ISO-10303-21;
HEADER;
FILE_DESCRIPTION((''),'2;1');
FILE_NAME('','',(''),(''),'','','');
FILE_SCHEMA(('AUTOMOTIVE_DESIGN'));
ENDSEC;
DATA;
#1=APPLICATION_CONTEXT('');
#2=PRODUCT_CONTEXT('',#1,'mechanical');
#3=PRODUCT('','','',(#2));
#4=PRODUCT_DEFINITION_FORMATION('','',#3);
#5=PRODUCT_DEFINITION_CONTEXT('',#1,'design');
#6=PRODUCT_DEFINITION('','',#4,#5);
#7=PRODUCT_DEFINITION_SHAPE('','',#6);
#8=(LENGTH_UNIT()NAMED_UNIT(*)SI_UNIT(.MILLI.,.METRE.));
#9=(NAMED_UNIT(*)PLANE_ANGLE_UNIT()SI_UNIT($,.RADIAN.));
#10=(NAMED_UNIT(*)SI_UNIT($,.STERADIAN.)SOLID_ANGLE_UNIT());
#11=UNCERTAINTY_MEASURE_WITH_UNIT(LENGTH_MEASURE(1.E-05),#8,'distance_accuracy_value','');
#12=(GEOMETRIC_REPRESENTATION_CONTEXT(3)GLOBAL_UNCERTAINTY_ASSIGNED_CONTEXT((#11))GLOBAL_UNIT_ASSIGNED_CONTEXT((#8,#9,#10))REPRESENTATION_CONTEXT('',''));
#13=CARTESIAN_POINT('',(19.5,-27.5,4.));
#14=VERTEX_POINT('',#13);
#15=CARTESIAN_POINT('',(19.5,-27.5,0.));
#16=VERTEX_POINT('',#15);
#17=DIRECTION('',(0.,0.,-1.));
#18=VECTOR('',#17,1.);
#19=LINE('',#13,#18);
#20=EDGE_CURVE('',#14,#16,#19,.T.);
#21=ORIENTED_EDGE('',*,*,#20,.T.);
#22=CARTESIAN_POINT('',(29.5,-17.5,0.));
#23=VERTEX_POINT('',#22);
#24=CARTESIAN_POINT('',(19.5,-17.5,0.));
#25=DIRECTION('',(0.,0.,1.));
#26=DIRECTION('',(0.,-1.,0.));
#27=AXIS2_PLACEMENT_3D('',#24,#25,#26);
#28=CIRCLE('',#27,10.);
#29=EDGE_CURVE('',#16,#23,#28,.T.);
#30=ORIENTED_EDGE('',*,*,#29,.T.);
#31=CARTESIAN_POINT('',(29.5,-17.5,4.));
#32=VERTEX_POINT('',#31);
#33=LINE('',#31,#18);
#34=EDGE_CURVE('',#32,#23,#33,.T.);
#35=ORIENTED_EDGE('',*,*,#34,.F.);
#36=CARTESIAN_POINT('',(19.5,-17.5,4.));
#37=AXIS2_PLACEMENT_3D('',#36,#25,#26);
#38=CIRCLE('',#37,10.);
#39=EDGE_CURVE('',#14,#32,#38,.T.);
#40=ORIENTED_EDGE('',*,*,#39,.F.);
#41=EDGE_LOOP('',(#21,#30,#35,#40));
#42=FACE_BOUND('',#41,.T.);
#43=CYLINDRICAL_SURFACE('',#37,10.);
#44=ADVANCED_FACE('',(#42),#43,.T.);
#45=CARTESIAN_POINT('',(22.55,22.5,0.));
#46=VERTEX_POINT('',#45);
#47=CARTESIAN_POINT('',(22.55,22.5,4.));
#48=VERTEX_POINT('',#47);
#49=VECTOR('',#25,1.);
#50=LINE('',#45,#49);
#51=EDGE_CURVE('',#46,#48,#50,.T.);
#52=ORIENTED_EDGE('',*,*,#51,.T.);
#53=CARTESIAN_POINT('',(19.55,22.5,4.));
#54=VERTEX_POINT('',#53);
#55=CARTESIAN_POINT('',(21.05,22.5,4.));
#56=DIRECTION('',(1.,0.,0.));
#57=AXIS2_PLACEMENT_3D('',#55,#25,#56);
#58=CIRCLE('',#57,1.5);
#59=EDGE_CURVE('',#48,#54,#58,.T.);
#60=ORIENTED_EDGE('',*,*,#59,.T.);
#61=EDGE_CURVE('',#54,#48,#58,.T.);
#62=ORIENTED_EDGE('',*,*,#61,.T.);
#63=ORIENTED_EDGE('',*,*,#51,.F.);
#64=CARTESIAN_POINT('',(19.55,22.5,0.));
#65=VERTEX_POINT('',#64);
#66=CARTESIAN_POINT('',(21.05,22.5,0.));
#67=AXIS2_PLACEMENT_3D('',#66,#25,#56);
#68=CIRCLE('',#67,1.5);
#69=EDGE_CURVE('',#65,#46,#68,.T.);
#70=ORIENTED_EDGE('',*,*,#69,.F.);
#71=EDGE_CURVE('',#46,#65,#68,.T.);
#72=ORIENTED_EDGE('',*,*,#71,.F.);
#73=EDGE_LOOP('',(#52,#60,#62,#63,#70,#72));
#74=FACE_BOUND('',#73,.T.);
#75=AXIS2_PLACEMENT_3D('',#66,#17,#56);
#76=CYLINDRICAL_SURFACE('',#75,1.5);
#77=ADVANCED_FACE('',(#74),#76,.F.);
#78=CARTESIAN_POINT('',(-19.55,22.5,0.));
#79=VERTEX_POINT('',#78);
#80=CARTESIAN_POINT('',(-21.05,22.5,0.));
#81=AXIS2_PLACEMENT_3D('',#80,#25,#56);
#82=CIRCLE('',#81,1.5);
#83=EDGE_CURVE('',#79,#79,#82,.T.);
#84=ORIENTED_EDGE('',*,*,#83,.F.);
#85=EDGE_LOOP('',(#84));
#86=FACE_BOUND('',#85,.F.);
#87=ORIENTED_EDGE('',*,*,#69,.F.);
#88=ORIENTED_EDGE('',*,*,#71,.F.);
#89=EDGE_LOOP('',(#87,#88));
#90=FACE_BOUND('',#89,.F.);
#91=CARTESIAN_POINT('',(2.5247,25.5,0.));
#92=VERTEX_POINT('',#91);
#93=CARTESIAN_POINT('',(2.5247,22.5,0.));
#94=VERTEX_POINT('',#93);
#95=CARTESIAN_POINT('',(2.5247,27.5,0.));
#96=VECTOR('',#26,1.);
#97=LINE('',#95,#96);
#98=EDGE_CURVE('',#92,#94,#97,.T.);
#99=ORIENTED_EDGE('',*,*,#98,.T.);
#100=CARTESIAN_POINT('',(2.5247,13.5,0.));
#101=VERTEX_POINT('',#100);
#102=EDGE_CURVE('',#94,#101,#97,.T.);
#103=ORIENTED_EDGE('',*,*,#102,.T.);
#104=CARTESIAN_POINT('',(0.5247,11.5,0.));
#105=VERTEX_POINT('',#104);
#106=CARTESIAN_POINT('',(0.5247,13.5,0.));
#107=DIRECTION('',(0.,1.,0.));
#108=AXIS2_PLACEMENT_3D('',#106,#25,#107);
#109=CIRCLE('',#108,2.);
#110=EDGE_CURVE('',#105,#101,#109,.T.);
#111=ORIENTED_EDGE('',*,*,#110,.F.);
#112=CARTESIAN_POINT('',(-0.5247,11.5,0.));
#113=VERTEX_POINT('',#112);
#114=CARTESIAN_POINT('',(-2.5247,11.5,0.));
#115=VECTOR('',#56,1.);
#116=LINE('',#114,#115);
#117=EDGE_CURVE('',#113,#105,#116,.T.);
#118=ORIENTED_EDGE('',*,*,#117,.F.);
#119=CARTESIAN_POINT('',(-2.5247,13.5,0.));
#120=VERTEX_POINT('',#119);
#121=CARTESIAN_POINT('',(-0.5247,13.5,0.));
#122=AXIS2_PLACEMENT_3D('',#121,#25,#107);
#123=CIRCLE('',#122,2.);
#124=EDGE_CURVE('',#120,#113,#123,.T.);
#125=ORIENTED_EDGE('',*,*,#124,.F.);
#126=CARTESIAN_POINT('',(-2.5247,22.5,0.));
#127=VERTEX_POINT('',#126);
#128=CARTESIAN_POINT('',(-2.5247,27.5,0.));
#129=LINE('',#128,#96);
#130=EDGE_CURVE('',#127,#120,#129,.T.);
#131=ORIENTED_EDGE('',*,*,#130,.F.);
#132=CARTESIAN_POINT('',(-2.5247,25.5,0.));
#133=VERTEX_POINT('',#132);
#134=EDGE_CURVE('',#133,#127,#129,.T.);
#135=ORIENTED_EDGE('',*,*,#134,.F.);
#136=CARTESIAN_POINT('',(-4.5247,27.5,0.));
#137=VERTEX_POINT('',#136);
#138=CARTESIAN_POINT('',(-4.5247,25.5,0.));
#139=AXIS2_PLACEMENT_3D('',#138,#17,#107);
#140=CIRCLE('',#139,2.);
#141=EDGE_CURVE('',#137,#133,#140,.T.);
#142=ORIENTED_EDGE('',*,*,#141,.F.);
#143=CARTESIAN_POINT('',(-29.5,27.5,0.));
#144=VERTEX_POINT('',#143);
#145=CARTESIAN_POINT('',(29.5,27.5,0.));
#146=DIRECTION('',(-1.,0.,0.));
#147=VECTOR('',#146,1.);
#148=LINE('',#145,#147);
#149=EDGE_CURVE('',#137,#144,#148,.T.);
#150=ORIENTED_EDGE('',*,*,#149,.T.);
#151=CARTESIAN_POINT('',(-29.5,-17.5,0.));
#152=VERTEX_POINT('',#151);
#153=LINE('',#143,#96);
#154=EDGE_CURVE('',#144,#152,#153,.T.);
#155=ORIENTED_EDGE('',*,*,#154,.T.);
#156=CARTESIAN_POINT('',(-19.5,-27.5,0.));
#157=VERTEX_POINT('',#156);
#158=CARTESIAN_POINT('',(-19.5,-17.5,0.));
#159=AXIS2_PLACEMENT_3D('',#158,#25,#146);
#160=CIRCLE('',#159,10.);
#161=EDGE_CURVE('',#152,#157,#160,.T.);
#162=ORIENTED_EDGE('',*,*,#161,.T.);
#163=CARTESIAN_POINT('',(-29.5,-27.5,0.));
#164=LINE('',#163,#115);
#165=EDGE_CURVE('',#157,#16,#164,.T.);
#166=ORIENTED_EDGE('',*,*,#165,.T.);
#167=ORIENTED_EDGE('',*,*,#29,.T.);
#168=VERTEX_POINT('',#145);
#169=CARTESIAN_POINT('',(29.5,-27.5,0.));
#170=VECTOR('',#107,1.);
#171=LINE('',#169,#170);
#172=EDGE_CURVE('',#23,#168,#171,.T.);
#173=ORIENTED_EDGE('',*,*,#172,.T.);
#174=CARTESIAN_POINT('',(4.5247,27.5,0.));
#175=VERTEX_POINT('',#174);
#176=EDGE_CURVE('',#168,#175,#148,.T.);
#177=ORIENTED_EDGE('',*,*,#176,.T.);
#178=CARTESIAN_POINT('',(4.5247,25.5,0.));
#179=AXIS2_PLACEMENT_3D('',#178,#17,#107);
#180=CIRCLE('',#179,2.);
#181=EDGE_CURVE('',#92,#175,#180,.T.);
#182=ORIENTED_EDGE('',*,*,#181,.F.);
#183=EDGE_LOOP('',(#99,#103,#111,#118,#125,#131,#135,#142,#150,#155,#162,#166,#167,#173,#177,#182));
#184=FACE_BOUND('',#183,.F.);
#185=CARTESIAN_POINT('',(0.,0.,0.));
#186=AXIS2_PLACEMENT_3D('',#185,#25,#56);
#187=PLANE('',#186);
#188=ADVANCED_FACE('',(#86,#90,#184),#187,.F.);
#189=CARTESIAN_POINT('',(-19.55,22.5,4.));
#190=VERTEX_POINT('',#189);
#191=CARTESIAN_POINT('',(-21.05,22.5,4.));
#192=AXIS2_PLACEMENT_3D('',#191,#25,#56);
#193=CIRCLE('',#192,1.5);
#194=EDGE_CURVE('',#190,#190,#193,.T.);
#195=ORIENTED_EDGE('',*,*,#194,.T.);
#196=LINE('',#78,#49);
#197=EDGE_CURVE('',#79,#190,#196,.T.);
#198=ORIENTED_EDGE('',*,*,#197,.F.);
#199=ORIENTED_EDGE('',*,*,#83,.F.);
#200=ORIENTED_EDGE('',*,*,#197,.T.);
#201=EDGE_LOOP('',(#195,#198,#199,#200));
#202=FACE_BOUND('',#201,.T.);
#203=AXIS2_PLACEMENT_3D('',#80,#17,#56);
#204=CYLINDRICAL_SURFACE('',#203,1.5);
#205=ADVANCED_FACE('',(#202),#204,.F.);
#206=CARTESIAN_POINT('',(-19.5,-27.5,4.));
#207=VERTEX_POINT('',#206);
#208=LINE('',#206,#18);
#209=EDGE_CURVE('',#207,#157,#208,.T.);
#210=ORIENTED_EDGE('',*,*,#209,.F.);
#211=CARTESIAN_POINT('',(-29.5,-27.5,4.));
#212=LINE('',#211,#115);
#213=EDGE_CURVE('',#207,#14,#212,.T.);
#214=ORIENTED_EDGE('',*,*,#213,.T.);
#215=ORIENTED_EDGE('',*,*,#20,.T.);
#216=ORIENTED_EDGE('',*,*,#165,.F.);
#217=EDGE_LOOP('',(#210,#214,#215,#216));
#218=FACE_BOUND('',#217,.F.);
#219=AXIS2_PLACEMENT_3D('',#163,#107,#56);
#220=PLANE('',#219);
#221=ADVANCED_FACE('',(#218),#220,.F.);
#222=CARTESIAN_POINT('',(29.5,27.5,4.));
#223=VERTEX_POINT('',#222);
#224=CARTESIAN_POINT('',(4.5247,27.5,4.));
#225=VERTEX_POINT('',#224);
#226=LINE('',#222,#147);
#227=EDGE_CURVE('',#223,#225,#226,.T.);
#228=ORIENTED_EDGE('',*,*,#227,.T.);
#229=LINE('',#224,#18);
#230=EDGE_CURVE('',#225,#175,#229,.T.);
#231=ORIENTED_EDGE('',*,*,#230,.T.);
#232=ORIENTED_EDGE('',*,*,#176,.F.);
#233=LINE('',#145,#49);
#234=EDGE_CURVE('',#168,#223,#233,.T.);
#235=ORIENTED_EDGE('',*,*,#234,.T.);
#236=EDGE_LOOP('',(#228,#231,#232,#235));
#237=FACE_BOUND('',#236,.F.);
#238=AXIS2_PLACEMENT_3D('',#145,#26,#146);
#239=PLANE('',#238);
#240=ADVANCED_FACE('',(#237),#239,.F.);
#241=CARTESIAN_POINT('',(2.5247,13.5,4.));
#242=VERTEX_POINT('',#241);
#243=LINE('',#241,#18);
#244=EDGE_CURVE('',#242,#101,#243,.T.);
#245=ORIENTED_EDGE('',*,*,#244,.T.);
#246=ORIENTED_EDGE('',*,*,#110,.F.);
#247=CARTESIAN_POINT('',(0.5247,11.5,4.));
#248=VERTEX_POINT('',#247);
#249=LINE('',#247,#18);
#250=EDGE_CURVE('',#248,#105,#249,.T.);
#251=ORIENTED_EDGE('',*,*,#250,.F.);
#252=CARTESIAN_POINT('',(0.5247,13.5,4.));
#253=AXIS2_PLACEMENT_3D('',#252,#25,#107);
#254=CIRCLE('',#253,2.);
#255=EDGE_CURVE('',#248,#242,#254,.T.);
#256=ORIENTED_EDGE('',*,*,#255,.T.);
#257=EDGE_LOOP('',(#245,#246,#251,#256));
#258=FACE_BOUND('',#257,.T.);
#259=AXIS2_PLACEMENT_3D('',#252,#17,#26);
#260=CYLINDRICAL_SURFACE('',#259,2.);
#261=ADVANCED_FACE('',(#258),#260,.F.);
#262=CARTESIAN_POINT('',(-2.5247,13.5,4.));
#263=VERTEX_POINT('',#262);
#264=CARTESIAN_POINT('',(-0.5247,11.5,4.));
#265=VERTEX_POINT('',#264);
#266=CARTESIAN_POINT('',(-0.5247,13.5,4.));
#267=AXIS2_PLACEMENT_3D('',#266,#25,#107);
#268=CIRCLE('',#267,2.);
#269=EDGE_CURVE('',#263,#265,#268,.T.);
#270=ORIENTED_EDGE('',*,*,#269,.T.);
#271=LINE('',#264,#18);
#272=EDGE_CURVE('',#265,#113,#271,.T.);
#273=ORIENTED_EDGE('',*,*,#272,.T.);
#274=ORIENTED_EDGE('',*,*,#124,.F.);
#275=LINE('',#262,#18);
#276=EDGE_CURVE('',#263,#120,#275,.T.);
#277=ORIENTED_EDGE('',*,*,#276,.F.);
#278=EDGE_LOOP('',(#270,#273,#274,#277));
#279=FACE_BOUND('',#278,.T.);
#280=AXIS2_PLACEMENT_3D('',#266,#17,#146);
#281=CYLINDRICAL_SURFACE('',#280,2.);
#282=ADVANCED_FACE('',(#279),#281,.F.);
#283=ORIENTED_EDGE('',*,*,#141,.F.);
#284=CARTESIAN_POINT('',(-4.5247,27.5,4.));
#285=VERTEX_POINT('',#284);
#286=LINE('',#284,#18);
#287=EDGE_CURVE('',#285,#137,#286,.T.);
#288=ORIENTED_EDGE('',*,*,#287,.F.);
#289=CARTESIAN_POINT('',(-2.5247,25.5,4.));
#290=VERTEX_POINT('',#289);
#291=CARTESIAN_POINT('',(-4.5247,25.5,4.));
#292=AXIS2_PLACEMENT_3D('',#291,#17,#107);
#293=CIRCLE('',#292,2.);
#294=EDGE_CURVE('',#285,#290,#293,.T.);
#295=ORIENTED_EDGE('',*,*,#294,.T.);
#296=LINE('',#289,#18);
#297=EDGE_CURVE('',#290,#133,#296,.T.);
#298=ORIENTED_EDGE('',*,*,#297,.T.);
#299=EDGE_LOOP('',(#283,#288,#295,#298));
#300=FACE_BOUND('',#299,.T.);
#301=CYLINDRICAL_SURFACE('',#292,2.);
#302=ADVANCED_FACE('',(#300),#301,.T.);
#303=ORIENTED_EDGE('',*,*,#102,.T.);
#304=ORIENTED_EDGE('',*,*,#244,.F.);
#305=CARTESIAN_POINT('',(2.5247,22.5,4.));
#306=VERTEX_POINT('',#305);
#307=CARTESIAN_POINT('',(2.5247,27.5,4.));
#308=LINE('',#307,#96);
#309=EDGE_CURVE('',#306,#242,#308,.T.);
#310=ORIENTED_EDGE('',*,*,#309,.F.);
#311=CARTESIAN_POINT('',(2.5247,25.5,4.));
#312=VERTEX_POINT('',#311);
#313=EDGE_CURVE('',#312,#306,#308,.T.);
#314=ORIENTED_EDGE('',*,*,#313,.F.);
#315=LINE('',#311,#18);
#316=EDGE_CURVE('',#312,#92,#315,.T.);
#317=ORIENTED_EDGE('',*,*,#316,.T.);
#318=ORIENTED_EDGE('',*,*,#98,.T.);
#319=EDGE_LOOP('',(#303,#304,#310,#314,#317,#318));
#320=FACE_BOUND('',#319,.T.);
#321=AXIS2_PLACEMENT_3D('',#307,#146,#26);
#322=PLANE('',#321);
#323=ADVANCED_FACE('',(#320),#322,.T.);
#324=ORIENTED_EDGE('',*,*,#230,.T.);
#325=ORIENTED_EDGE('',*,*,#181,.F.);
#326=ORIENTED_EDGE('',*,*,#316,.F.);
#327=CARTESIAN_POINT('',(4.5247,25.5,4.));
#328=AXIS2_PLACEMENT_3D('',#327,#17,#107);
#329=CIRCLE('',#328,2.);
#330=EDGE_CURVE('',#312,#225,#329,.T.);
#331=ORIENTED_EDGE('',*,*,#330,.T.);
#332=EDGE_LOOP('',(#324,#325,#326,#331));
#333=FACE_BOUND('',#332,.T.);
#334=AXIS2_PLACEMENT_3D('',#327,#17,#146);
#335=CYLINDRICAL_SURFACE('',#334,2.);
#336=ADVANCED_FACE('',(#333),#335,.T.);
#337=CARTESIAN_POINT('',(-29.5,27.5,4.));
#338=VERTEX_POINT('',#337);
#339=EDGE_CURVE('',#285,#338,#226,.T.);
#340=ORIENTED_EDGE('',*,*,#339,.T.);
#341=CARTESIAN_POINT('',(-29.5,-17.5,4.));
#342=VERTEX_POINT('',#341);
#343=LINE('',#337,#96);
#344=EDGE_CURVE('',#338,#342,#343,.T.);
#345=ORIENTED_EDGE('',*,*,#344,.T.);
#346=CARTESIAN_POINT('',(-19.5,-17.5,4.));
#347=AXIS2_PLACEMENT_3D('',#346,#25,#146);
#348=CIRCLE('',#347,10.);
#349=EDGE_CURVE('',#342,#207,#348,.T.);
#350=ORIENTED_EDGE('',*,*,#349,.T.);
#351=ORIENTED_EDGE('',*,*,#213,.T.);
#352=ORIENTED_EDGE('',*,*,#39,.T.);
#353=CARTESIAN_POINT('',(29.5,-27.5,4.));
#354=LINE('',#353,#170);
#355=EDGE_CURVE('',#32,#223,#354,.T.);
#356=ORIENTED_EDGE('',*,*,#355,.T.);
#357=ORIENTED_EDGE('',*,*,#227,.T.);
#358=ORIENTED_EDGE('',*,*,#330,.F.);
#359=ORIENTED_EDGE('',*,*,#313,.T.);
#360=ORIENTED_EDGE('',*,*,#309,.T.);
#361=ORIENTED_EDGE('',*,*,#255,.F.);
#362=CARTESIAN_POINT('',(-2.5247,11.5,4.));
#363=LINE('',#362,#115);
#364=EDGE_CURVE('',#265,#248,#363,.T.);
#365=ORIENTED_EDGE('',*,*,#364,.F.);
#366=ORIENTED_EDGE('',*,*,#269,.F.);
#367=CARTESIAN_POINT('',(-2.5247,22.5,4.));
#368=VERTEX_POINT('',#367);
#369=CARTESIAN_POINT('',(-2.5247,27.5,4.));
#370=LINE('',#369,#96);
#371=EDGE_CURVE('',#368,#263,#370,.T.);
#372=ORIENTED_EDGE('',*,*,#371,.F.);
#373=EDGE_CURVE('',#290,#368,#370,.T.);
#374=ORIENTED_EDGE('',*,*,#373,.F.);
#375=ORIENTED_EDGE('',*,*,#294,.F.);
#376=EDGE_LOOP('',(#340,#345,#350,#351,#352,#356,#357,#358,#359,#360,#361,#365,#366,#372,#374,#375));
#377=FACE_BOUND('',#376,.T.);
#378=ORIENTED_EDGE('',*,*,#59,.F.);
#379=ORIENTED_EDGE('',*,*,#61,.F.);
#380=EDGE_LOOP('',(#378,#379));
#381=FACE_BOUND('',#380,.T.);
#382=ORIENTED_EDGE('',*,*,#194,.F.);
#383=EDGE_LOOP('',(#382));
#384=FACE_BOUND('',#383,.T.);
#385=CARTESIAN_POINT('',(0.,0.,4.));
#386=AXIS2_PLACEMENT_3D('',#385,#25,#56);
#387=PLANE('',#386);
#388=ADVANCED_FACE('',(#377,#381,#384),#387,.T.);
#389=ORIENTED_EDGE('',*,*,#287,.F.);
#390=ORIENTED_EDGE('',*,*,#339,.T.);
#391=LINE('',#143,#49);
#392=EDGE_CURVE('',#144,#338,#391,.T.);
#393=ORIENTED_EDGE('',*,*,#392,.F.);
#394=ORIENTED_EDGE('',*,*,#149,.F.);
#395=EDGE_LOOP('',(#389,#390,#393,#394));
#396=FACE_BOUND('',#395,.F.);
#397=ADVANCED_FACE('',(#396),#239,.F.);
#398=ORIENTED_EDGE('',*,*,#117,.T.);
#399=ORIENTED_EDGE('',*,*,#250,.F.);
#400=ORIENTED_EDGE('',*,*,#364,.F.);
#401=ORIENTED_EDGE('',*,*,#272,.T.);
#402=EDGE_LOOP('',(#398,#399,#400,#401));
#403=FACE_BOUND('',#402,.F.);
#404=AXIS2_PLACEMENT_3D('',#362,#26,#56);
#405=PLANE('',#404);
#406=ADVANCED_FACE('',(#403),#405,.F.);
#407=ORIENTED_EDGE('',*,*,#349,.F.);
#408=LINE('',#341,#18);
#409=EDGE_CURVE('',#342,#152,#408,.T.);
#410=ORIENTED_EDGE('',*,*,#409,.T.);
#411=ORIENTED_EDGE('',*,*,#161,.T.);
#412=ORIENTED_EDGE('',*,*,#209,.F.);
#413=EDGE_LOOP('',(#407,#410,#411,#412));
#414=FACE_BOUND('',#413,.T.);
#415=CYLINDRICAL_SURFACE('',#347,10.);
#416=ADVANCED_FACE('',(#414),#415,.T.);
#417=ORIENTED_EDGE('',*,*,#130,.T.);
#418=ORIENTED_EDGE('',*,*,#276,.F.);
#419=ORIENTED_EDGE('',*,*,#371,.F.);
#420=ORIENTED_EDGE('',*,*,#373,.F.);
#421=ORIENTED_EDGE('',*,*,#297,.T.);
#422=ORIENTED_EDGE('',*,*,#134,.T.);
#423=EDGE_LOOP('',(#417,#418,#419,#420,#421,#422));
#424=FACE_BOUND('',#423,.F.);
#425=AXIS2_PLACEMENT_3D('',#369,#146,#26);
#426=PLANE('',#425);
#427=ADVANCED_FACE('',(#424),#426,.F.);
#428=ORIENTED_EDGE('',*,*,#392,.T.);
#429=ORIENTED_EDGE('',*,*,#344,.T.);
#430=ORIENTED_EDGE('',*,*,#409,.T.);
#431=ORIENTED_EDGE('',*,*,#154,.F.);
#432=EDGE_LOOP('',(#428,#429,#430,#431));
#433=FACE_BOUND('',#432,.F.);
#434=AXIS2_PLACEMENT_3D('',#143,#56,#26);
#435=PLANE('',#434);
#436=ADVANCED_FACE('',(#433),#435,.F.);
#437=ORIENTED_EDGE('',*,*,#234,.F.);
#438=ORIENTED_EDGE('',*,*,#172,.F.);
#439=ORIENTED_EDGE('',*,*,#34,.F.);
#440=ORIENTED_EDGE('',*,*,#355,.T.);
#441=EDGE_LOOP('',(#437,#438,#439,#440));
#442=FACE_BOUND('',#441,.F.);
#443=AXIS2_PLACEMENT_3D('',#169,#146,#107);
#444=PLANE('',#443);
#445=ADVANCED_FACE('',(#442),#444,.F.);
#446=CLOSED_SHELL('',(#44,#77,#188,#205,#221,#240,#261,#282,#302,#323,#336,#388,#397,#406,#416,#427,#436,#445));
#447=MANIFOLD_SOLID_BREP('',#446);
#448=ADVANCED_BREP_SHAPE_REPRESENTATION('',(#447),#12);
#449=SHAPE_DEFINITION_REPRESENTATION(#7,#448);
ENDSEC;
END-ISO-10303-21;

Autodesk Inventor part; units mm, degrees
sketch "Эскиз1" plane through (0, 0, 0) normal (0, 0, 1) x (1, 0, 0)
  line L0 (-29.5, -27.5) -> (29.5, -27.5)
  line L1 (29.5, -27.5) -> (29.5, 27.5)
  line L2 (29.5, 27.5) -> (-29.5, 27.5)
  line L3 (-29.5, 27.5) -> (-29.5, -27.5)
  line L4 (-29.5, -27.5) -> (29.5, 27.5) construction
  line L5 (29.5, -27.5) -> (-29.5, 27.5) construction
  line L6 (0, -7.5) -> (0, -27.5) construction
  circle A0 centre (-21.05, 22.5) radius 1.5
  circle A1 centre (21.05, 22.5) radius 1.5
  line L7 (-21.05, 22.5) -> (21.05, 22.5)
  point P0 (0, 0)
  dimension "d0" = 59
  dimension "d1" = 55
  dimension "d3" = 20
  dimension "d4" = 3
  dimension "d7" = 42.1
  dimension "d8" = 8.45
  dimension "d13" = 5
extrude "Выдавливание1" add sketch "Эскиз1" along normal blind 4
sketch "Эскиз2" plane through (0, 0, 4) normal (0, 0, 1) x (1, 0, 0)
  line L0 (29.5, 27.5) -> (-29.5, 27.5) projected
  line L1 (-2.5247, 27.5) -> (-2.5247, 11.5)
  line L2 (2.5247, 27.5) -> (2.5247, 11.5)
  line L3 (-2.5247, 11.5) -> (2.5247, 11.5)
  point P0 (0, 0)
  dimension "d9" = 16
extrude "Выдавливание2" cut sketch "Эскиз2" against normal up to surface (4 mm away)
fillet "Сопряжение1" radius 2 4 edges at (2.5247, 11.5, 2) (-2.5247, 11.5, 2) (2.5247, 27.5, 2) (-2.5247, 27.5, 2)
sketch "Эскиз3" plane through (0, 0, 4) normal (0, 0, 1) x (1, 0, 0)
  line L0 (-29.5, 27.5) -> (-29.5, -27.5) projected
  line L1 (-29.5, -17.5) -> (-19.5, -17.5) construction
  line L2 (-19.5, -17.5) -> (-19.5, -27.5) construction
  line L3 (-29.5, -27.5) -> (29.5, -27.5) projected
  line L4 (-29.5, 27.5) -> (-29.5, -27.5) projected
  line L5 (-29.5, -27.5) -> (29.5, -27.5) projected
  line L6 (19.5, -27.5) -> (19.5, -17.5) construction
  line L7 (19.5, -17.5) -> (29.5, -17.5) construction
  line L8 (29.5, -27.5) -> (29.5, 27.5) projected
  arc A0 (-29.5, -17.5) -> (-19.5, -27.5) centre (-19.5, -17.5) ccw
  arc A1 (19.5, -27.5) -> (29.5, -17.5) centre (19.5, -17.5) ccw
  point P0 (0, 0)
extrude "Выдавливание3" cut sketch "Эскиз3" against normal up to surface (4 mm away)
properties part number "Скоба трубы"
